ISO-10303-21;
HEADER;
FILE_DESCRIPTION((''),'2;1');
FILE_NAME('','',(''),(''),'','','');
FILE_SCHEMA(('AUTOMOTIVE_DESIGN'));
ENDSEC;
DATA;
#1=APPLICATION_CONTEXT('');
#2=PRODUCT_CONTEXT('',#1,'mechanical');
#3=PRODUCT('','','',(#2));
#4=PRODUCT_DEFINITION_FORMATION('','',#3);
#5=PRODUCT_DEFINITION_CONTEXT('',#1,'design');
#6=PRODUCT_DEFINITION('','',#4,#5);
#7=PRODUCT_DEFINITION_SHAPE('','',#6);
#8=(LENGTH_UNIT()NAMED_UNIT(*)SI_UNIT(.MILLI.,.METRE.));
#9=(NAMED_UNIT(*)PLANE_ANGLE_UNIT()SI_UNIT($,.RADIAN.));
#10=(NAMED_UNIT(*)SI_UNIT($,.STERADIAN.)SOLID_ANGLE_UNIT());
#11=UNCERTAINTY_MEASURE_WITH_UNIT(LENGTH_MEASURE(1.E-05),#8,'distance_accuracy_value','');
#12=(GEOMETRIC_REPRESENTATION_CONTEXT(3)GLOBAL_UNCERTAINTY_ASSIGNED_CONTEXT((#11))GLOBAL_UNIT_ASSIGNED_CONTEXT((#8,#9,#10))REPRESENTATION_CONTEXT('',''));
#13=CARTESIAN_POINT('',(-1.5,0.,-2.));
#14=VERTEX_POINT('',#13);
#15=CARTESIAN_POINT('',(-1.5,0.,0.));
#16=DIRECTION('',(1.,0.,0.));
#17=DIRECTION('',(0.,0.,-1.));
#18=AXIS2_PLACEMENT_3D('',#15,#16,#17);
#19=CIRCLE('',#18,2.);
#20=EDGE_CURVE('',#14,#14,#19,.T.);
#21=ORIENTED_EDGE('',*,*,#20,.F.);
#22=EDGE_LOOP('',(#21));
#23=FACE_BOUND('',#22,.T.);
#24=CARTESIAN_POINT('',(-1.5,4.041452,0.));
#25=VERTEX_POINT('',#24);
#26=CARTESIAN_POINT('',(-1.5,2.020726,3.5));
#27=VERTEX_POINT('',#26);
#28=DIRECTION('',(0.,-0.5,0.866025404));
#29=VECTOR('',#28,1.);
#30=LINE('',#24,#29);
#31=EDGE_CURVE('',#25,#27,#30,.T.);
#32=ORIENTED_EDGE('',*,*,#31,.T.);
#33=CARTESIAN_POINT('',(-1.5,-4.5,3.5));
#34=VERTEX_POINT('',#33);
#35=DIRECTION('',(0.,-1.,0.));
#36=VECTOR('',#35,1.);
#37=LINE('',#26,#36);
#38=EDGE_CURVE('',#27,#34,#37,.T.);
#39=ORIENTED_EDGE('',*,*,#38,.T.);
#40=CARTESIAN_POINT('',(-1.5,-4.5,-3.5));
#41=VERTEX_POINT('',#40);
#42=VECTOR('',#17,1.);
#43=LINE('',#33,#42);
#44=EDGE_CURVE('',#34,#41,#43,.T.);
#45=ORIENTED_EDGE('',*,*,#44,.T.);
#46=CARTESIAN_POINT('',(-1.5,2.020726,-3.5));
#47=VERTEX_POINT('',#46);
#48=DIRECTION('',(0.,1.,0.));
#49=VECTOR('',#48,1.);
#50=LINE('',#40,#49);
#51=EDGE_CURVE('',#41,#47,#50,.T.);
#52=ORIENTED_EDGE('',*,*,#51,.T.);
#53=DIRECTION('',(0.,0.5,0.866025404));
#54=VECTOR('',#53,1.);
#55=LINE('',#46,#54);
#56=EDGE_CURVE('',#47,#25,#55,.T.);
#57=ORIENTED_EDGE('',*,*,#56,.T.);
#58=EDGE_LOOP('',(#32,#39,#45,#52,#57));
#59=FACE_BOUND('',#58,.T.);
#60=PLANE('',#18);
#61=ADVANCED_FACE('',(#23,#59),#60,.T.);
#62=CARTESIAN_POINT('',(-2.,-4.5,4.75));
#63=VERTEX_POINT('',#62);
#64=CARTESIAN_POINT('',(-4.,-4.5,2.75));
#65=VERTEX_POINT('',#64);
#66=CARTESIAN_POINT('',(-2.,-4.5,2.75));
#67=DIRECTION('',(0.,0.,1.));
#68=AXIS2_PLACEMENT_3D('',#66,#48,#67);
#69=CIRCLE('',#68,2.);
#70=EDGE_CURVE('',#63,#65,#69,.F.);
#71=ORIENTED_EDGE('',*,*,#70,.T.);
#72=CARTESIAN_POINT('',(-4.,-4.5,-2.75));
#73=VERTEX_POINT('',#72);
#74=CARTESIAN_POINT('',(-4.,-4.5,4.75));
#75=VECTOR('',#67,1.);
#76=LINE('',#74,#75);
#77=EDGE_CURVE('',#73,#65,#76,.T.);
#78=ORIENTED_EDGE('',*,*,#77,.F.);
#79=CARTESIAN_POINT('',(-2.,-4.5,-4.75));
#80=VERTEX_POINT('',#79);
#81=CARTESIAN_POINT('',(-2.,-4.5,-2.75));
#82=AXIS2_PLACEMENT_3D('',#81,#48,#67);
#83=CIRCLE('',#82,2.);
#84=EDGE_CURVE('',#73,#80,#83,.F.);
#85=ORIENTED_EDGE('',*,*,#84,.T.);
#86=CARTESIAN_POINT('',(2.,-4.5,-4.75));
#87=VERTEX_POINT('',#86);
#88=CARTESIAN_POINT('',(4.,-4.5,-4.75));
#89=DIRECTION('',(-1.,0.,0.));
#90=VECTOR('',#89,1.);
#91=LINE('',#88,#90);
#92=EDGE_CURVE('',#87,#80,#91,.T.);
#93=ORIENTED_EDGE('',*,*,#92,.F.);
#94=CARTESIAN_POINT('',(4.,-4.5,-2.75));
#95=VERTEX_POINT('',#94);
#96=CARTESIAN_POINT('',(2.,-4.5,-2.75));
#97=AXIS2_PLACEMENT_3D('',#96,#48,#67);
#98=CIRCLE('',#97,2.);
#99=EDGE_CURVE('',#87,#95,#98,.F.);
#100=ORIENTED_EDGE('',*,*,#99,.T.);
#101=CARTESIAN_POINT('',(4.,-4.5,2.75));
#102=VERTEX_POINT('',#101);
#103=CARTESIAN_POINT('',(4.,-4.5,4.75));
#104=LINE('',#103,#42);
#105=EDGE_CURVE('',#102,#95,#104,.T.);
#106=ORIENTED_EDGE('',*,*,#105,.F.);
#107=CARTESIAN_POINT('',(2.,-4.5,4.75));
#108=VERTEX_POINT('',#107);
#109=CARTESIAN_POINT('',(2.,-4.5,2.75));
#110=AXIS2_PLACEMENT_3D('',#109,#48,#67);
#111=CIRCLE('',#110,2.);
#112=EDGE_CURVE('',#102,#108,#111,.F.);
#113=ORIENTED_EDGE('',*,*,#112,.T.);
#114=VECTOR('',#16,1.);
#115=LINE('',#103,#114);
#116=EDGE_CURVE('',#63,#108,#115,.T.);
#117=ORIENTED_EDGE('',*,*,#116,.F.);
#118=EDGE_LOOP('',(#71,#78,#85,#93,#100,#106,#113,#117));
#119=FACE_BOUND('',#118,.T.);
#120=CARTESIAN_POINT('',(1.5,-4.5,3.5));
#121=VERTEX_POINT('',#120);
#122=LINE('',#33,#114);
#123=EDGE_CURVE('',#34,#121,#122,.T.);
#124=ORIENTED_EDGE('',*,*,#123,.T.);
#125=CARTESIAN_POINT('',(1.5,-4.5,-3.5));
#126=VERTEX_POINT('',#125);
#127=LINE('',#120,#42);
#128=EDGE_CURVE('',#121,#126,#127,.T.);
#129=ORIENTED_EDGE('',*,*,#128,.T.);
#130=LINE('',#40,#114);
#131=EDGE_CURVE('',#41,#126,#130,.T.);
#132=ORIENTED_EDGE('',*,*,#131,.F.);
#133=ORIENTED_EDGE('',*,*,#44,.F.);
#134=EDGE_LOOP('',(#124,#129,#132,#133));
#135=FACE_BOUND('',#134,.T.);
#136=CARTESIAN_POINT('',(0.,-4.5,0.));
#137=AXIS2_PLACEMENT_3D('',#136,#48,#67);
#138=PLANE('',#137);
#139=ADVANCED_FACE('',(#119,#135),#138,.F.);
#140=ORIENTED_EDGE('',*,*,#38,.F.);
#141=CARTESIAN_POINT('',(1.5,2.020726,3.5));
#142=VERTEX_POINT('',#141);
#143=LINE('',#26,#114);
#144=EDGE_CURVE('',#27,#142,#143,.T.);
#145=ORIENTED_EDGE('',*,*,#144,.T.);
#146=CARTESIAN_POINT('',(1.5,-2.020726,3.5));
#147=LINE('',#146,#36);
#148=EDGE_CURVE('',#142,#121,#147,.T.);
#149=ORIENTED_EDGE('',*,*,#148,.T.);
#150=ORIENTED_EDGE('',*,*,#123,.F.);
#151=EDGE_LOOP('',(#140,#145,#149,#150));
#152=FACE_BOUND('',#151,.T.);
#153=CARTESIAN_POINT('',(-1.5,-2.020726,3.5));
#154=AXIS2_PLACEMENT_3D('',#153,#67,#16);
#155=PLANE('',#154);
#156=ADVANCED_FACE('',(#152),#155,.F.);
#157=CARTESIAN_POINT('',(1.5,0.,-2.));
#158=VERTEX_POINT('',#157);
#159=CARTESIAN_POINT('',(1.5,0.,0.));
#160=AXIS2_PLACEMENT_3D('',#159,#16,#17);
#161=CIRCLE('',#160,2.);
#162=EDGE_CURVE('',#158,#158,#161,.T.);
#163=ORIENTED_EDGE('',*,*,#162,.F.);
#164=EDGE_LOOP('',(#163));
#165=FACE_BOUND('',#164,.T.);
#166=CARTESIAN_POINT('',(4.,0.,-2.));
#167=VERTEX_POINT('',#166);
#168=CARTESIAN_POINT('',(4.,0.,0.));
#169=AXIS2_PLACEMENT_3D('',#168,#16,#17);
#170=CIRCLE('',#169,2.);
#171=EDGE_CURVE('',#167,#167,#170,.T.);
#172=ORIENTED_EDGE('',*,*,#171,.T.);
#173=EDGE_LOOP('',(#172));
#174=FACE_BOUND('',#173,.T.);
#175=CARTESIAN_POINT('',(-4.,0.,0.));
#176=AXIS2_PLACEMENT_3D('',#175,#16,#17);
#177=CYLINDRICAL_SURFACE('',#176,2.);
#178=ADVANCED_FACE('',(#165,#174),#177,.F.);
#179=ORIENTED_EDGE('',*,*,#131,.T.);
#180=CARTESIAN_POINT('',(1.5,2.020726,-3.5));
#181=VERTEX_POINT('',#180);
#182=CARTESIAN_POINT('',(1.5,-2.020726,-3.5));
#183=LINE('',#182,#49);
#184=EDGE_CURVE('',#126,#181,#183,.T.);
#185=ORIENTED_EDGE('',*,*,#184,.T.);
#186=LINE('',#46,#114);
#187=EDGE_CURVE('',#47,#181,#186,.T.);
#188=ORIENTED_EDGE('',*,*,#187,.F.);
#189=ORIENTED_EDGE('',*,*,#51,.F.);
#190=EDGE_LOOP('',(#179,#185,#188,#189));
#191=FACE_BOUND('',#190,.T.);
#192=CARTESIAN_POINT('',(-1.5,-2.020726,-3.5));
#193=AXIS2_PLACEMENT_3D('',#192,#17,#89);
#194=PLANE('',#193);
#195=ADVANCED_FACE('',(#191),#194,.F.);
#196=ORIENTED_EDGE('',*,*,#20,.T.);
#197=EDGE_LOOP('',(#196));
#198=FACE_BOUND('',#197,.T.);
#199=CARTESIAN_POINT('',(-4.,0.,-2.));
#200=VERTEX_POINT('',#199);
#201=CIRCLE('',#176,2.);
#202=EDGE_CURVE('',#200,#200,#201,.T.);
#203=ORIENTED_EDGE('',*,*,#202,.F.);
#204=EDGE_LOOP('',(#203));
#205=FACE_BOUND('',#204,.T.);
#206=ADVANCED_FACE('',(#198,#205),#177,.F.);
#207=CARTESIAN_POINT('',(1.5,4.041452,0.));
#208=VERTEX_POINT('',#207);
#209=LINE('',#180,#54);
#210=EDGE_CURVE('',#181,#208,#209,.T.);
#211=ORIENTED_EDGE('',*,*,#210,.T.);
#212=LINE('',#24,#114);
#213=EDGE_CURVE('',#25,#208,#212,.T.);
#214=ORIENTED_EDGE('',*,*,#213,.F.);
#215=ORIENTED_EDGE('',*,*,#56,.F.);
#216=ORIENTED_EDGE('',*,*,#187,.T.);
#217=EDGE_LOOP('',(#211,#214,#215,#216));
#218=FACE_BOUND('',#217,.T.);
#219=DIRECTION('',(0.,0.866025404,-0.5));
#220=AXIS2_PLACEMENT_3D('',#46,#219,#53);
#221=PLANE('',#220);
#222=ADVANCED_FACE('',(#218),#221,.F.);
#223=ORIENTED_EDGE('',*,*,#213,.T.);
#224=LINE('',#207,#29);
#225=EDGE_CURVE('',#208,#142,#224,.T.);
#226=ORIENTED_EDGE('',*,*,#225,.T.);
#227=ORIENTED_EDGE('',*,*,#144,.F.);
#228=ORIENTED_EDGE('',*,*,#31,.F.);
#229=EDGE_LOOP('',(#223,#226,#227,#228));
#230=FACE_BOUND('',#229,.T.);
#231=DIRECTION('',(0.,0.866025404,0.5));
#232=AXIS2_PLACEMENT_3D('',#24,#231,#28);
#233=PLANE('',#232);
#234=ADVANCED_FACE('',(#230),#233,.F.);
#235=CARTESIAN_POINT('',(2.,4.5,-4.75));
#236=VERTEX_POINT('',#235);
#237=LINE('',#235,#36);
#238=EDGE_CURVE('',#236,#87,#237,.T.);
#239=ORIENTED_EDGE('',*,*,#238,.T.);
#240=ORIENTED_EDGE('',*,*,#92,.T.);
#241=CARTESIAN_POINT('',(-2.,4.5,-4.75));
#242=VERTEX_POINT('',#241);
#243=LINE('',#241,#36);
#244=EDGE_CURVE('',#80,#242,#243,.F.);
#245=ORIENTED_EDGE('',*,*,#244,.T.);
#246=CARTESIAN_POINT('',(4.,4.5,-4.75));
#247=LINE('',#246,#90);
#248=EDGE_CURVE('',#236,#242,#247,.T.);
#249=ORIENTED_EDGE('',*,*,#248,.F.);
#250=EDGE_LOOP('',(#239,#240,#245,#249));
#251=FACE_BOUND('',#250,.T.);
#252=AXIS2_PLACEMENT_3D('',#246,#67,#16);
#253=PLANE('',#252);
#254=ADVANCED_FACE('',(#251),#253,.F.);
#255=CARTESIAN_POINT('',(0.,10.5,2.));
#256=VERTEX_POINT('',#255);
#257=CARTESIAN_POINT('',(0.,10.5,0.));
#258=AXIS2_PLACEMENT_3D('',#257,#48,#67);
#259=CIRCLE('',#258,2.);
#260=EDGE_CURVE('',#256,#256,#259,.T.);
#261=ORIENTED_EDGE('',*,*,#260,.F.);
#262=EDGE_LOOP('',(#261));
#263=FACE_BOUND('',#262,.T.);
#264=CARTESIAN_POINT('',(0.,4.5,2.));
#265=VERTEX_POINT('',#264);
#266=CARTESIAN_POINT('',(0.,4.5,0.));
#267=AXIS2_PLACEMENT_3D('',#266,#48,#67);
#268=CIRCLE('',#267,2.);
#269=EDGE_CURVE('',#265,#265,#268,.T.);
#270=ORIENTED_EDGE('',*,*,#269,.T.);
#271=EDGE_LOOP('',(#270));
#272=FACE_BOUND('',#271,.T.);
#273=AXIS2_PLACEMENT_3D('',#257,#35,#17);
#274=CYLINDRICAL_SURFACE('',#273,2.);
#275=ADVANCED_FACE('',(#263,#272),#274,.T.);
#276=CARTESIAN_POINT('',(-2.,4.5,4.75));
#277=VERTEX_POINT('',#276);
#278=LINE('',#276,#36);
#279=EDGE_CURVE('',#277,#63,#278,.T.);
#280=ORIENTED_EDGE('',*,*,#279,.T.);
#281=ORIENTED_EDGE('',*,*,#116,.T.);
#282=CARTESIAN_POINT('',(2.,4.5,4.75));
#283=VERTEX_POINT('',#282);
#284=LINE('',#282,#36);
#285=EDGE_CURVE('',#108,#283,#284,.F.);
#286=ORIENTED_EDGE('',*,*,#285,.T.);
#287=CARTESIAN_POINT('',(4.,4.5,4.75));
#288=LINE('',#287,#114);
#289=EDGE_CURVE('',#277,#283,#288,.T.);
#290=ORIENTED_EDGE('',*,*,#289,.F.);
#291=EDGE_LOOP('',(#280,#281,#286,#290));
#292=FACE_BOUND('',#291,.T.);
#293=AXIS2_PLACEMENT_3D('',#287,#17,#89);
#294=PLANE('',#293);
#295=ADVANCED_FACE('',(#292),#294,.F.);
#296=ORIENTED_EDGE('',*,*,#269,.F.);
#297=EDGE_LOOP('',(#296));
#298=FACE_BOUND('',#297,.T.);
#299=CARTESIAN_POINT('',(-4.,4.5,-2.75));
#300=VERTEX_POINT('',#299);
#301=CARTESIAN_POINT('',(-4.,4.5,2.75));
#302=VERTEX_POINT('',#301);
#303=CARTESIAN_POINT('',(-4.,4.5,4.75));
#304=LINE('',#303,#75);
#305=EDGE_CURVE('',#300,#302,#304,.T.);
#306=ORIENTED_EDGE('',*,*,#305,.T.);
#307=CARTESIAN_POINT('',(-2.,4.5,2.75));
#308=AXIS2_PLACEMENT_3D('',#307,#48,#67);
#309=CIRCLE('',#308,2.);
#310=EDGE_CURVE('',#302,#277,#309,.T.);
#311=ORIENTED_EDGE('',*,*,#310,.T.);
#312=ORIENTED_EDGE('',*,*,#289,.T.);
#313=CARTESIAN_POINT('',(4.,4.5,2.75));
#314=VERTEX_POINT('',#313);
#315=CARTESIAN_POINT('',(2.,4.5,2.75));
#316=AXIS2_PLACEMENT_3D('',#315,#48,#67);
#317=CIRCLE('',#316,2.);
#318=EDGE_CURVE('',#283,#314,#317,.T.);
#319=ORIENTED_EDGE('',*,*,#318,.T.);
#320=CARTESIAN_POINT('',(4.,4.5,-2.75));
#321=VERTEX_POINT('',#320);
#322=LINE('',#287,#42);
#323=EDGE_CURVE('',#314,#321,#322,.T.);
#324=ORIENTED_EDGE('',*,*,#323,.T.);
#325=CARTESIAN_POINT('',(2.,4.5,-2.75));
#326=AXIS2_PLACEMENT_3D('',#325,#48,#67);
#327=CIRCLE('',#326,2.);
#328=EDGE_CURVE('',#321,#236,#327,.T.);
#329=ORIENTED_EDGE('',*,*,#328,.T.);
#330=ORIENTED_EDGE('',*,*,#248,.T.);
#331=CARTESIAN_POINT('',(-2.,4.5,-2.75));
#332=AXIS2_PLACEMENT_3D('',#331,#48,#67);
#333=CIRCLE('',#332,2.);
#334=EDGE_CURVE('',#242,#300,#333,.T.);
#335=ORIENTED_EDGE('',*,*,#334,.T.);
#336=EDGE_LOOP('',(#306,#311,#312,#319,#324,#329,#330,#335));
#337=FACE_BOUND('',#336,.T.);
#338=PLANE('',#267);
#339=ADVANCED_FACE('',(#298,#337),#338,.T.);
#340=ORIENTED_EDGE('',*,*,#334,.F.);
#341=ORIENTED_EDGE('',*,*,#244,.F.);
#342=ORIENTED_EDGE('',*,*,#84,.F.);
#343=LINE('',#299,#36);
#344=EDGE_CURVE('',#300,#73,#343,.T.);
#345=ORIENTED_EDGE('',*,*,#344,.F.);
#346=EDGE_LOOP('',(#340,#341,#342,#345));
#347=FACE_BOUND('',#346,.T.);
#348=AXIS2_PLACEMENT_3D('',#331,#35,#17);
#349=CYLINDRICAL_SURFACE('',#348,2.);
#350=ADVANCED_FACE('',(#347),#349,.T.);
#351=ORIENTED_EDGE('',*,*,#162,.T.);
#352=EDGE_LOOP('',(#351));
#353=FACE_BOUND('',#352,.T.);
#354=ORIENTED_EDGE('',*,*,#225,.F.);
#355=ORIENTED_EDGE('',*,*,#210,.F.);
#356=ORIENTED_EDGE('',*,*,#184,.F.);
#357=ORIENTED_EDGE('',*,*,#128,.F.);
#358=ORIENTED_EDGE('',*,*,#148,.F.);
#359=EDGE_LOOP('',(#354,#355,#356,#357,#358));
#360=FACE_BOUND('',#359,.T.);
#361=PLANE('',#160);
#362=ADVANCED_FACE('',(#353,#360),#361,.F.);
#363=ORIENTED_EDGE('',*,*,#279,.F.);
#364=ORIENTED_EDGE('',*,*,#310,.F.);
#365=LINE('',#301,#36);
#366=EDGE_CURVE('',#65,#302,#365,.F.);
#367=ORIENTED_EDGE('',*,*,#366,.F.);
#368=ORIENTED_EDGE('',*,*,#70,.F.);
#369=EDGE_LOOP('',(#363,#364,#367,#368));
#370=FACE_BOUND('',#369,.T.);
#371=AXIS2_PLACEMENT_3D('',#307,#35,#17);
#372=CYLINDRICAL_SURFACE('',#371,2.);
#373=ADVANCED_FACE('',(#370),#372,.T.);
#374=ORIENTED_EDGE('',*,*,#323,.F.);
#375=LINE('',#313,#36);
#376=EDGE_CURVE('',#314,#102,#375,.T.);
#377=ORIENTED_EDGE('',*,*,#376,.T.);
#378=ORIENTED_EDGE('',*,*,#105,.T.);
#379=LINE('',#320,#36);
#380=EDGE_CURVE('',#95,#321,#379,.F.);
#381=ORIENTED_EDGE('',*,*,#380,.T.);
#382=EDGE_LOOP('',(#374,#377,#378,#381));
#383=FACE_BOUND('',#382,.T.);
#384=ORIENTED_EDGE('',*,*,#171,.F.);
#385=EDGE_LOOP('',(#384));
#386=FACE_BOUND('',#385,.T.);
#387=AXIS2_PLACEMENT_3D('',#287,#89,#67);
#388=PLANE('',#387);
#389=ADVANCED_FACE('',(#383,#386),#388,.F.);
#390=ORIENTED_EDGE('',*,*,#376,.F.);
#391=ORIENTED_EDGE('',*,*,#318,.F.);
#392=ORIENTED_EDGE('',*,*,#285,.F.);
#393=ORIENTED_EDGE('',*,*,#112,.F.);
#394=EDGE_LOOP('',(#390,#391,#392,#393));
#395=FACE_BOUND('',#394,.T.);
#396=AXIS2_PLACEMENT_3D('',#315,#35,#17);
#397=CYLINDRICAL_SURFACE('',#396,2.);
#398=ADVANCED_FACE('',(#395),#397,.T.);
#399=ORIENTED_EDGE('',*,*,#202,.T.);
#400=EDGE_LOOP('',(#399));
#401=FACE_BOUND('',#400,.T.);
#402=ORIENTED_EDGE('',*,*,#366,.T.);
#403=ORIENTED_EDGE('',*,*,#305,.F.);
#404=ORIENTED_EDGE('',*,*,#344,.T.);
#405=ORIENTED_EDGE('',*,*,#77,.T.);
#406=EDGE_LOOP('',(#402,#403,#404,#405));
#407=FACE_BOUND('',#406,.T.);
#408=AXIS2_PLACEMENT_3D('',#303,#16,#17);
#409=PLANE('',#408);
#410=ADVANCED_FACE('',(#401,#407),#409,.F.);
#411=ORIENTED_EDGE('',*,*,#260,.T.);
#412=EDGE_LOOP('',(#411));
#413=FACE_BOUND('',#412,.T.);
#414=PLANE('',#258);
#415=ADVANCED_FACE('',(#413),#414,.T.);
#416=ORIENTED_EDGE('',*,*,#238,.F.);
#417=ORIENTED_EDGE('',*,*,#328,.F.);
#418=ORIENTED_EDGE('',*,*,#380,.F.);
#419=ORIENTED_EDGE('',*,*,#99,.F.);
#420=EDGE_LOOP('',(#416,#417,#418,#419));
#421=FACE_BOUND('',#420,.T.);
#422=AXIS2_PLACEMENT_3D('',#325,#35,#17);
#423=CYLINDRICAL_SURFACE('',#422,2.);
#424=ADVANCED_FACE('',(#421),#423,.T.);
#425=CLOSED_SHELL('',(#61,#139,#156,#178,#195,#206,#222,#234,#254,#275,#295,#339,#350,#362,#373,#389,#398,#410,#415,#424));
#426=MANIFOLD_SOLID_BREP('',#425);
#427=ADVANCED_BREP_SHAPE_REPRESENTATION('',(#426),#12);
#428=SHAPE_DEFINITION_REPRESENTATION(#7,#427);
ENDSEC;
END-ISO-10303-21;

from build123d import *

# Parameters (mm, degrees)
SKETCH1_W           = 8
SKETCH1_H           = 9.5
BOSS_EXTRUDE1_DEPTH = 4.5
SKETCH2_R           = 2
BOSS_EXTRUDE2_DEPTH = 6
CUT_EXTRUDE1_DEPTH  = 1.5
SKETCH6_R           = 2
CUT_EXTRUDE2_DEPTH  = 9
FILLET1_R           = 2


with BuildPart() as part:
    # Sketch1 → Boss-Extrude1 (new body, symmetric)
    with BuildSketch(Plane(origin=(0, 0, 0), x_dir=(1, 0, 0), z_dir=(0, 1, 0))):
        Rectangle(SKETCH1_W, SKETCH1_H)
    extrude(amount=BOSS_EXTRUDE1_DEPTH, both=True)

    # Sketch2 → Boss-Extrude2 (add)
    with BuildSketch(Plane(origin=(0, 4.5, 0), x_dir=(1, 0, 0), z_dir=(0, 1, 0))):
        Circle(SKETCH2_R)
    extrude(amount=BOSS_EXTRUDE2_DEPTH)

    # Sketch5 → Cut-Extrude1 (cut, symmetric)
    with BuildSketch(Plane(origin=(0, 0, 0), x_dir=(0, 0, -1), z_dir=(1, 0, 0))):
        Polygon((-3.5, -2.020725942), (-3.5, -4.5), (3.5, -4.5), (3.5, -2.020725942), (3.5, 2.020725942), (0, 4.041451884), (-3.5, 2.020725942), align=None)
    extrude(amount=CUT_EXTRUDE1_DEPTH, both=True, mode=Mode.SUBTRACT)

    # Sketch6 → Cut-Extrude2 (cut, through all)
    with BuildSketch(Plane(origin=(4, 0, 0), x_dir=(0, 0, -1), z_dir=(1, 0, 0))):
        Circle(SKETCH6_R)
    extrude(amount=-CUT_EXTRUDE2_DEPTH, mode=Mode.SUBTRACT)

    # Fillet1
    fillet1_edges = [part.edges().sort_by_distance(p)[0] for p in [
        (-4, 0, -4.75),
        (4, 0, -4.75),
        (4, 0, 4.75),
        (-4, 0, 4.75),
    ]]
    fillet(fillet1_edges, radius=FILLET1_R)


solid = part.part
